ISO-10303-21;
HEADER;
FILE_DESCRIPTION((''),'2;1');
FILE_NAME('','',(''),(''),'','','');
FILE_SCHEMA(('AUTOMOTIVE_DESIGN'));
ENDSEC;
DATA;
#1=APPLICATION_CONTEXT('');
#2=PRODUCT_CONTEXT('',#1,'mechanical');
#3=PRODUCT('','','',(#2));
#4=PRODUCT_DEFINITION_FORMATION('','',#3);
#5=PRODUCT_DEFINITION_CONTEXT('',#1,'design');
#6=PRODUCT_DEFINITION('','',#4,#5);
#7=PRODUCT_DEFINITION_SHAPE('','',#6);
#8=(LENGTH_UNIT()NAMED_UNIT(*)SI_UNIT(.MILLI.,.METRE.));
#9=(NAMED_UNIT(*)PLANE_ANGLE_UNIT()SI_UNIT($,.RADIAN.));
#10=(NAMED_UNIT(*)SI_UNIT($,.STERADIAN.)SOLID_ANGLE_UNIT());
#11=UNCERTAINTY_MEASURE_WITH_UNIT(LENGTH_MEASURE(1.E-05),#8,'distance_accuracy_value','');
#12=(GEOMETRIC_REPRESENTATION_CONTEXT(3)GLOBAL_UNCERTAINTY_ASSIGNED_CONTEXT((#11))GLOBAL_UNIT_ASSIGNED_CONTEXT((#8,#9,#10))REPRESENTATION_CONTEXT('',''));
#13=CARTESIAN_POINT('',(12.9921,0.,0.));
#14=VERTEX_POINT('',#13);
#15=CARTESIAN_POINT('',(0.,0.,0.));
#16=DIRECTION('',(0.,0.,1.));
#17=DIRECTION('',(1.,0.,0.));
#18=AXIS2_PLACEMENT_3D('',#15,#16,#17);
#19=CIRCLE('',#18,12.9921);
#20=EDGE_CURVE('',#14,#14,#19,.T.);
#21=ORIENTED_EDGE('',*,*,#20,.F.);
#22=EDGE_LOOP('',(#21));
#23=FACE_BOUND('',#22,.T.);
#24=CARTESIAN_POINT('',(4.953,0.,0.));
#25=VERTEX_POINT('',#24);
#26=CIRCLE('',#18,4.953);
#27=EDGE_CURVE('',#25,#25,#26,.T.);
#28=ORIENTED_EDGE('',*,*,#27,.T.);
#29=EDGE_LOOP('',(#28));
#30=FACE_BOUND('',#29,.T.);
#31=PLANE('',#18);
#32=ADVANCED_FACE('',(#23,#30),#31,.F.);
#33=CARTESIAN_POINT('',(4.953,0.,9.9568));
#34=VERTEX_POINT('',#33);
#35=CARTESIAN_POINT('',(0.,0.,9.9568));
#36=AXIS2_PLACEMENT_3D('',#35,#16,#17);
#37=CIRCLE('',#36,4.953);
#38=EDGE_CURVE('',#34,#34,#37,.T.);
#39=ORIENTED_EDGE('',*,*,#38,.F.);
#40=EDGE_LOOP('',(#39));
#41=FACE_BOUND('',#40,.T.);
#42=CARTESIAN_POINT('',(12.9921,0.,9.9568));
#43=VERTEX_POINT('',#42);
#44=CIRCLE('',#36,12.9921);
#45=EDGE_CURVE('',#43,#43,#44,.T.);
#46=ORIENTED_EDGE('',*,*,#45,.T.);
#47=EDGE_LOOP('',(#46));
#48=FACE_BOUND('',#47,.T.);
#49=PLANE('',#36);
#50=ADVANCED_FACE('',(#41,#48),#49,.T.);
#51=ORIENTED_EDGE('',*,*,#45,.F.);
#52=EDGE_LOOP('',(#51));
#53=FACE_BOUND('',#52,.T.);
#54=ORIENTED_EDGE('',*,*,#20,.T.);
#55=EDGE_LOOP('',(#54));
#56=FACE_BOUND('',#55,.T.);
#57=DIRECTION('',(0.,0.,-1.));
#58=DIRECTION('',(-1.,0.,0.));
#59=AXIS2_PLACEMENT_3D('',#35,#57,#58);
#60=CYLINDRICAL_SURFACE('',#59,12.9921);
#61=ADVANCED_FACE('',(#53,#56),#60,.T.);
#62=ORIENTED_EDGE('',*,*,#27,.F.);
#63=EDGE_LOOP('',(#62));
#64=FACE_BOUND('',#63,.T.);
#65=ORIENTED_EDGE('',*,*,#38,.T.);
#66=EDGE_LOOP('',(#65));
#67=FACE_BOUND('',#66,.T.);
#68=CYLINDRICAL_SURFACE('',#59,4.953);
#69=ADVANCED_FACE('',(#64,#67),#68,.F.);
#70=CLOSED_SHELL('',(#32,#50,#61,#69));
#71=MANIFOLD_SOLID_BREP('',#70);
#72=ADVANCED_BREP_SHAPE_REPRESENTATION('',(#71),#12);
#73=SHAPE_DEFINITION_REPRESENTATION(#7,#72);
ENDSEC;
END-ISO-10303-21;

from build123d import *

# Parameters (mm, degrees)
SKETCH1_R      = 12.9921
SKETCH1_R_2    = 4.953
EXTRUDE1_DEPTH = 9.9568


with BuildPart() as part:
    # Sketch1 → Extrude1 (new body)
    with BuildSketch(Plane.XY):
        Circle(SKETCH1_R)
        Circle(SKETCH1_R_2, mode=Mode.SUBTRACT)
    extrude(amount=EXTRUDE1_DEPTH)


solid = part.part
